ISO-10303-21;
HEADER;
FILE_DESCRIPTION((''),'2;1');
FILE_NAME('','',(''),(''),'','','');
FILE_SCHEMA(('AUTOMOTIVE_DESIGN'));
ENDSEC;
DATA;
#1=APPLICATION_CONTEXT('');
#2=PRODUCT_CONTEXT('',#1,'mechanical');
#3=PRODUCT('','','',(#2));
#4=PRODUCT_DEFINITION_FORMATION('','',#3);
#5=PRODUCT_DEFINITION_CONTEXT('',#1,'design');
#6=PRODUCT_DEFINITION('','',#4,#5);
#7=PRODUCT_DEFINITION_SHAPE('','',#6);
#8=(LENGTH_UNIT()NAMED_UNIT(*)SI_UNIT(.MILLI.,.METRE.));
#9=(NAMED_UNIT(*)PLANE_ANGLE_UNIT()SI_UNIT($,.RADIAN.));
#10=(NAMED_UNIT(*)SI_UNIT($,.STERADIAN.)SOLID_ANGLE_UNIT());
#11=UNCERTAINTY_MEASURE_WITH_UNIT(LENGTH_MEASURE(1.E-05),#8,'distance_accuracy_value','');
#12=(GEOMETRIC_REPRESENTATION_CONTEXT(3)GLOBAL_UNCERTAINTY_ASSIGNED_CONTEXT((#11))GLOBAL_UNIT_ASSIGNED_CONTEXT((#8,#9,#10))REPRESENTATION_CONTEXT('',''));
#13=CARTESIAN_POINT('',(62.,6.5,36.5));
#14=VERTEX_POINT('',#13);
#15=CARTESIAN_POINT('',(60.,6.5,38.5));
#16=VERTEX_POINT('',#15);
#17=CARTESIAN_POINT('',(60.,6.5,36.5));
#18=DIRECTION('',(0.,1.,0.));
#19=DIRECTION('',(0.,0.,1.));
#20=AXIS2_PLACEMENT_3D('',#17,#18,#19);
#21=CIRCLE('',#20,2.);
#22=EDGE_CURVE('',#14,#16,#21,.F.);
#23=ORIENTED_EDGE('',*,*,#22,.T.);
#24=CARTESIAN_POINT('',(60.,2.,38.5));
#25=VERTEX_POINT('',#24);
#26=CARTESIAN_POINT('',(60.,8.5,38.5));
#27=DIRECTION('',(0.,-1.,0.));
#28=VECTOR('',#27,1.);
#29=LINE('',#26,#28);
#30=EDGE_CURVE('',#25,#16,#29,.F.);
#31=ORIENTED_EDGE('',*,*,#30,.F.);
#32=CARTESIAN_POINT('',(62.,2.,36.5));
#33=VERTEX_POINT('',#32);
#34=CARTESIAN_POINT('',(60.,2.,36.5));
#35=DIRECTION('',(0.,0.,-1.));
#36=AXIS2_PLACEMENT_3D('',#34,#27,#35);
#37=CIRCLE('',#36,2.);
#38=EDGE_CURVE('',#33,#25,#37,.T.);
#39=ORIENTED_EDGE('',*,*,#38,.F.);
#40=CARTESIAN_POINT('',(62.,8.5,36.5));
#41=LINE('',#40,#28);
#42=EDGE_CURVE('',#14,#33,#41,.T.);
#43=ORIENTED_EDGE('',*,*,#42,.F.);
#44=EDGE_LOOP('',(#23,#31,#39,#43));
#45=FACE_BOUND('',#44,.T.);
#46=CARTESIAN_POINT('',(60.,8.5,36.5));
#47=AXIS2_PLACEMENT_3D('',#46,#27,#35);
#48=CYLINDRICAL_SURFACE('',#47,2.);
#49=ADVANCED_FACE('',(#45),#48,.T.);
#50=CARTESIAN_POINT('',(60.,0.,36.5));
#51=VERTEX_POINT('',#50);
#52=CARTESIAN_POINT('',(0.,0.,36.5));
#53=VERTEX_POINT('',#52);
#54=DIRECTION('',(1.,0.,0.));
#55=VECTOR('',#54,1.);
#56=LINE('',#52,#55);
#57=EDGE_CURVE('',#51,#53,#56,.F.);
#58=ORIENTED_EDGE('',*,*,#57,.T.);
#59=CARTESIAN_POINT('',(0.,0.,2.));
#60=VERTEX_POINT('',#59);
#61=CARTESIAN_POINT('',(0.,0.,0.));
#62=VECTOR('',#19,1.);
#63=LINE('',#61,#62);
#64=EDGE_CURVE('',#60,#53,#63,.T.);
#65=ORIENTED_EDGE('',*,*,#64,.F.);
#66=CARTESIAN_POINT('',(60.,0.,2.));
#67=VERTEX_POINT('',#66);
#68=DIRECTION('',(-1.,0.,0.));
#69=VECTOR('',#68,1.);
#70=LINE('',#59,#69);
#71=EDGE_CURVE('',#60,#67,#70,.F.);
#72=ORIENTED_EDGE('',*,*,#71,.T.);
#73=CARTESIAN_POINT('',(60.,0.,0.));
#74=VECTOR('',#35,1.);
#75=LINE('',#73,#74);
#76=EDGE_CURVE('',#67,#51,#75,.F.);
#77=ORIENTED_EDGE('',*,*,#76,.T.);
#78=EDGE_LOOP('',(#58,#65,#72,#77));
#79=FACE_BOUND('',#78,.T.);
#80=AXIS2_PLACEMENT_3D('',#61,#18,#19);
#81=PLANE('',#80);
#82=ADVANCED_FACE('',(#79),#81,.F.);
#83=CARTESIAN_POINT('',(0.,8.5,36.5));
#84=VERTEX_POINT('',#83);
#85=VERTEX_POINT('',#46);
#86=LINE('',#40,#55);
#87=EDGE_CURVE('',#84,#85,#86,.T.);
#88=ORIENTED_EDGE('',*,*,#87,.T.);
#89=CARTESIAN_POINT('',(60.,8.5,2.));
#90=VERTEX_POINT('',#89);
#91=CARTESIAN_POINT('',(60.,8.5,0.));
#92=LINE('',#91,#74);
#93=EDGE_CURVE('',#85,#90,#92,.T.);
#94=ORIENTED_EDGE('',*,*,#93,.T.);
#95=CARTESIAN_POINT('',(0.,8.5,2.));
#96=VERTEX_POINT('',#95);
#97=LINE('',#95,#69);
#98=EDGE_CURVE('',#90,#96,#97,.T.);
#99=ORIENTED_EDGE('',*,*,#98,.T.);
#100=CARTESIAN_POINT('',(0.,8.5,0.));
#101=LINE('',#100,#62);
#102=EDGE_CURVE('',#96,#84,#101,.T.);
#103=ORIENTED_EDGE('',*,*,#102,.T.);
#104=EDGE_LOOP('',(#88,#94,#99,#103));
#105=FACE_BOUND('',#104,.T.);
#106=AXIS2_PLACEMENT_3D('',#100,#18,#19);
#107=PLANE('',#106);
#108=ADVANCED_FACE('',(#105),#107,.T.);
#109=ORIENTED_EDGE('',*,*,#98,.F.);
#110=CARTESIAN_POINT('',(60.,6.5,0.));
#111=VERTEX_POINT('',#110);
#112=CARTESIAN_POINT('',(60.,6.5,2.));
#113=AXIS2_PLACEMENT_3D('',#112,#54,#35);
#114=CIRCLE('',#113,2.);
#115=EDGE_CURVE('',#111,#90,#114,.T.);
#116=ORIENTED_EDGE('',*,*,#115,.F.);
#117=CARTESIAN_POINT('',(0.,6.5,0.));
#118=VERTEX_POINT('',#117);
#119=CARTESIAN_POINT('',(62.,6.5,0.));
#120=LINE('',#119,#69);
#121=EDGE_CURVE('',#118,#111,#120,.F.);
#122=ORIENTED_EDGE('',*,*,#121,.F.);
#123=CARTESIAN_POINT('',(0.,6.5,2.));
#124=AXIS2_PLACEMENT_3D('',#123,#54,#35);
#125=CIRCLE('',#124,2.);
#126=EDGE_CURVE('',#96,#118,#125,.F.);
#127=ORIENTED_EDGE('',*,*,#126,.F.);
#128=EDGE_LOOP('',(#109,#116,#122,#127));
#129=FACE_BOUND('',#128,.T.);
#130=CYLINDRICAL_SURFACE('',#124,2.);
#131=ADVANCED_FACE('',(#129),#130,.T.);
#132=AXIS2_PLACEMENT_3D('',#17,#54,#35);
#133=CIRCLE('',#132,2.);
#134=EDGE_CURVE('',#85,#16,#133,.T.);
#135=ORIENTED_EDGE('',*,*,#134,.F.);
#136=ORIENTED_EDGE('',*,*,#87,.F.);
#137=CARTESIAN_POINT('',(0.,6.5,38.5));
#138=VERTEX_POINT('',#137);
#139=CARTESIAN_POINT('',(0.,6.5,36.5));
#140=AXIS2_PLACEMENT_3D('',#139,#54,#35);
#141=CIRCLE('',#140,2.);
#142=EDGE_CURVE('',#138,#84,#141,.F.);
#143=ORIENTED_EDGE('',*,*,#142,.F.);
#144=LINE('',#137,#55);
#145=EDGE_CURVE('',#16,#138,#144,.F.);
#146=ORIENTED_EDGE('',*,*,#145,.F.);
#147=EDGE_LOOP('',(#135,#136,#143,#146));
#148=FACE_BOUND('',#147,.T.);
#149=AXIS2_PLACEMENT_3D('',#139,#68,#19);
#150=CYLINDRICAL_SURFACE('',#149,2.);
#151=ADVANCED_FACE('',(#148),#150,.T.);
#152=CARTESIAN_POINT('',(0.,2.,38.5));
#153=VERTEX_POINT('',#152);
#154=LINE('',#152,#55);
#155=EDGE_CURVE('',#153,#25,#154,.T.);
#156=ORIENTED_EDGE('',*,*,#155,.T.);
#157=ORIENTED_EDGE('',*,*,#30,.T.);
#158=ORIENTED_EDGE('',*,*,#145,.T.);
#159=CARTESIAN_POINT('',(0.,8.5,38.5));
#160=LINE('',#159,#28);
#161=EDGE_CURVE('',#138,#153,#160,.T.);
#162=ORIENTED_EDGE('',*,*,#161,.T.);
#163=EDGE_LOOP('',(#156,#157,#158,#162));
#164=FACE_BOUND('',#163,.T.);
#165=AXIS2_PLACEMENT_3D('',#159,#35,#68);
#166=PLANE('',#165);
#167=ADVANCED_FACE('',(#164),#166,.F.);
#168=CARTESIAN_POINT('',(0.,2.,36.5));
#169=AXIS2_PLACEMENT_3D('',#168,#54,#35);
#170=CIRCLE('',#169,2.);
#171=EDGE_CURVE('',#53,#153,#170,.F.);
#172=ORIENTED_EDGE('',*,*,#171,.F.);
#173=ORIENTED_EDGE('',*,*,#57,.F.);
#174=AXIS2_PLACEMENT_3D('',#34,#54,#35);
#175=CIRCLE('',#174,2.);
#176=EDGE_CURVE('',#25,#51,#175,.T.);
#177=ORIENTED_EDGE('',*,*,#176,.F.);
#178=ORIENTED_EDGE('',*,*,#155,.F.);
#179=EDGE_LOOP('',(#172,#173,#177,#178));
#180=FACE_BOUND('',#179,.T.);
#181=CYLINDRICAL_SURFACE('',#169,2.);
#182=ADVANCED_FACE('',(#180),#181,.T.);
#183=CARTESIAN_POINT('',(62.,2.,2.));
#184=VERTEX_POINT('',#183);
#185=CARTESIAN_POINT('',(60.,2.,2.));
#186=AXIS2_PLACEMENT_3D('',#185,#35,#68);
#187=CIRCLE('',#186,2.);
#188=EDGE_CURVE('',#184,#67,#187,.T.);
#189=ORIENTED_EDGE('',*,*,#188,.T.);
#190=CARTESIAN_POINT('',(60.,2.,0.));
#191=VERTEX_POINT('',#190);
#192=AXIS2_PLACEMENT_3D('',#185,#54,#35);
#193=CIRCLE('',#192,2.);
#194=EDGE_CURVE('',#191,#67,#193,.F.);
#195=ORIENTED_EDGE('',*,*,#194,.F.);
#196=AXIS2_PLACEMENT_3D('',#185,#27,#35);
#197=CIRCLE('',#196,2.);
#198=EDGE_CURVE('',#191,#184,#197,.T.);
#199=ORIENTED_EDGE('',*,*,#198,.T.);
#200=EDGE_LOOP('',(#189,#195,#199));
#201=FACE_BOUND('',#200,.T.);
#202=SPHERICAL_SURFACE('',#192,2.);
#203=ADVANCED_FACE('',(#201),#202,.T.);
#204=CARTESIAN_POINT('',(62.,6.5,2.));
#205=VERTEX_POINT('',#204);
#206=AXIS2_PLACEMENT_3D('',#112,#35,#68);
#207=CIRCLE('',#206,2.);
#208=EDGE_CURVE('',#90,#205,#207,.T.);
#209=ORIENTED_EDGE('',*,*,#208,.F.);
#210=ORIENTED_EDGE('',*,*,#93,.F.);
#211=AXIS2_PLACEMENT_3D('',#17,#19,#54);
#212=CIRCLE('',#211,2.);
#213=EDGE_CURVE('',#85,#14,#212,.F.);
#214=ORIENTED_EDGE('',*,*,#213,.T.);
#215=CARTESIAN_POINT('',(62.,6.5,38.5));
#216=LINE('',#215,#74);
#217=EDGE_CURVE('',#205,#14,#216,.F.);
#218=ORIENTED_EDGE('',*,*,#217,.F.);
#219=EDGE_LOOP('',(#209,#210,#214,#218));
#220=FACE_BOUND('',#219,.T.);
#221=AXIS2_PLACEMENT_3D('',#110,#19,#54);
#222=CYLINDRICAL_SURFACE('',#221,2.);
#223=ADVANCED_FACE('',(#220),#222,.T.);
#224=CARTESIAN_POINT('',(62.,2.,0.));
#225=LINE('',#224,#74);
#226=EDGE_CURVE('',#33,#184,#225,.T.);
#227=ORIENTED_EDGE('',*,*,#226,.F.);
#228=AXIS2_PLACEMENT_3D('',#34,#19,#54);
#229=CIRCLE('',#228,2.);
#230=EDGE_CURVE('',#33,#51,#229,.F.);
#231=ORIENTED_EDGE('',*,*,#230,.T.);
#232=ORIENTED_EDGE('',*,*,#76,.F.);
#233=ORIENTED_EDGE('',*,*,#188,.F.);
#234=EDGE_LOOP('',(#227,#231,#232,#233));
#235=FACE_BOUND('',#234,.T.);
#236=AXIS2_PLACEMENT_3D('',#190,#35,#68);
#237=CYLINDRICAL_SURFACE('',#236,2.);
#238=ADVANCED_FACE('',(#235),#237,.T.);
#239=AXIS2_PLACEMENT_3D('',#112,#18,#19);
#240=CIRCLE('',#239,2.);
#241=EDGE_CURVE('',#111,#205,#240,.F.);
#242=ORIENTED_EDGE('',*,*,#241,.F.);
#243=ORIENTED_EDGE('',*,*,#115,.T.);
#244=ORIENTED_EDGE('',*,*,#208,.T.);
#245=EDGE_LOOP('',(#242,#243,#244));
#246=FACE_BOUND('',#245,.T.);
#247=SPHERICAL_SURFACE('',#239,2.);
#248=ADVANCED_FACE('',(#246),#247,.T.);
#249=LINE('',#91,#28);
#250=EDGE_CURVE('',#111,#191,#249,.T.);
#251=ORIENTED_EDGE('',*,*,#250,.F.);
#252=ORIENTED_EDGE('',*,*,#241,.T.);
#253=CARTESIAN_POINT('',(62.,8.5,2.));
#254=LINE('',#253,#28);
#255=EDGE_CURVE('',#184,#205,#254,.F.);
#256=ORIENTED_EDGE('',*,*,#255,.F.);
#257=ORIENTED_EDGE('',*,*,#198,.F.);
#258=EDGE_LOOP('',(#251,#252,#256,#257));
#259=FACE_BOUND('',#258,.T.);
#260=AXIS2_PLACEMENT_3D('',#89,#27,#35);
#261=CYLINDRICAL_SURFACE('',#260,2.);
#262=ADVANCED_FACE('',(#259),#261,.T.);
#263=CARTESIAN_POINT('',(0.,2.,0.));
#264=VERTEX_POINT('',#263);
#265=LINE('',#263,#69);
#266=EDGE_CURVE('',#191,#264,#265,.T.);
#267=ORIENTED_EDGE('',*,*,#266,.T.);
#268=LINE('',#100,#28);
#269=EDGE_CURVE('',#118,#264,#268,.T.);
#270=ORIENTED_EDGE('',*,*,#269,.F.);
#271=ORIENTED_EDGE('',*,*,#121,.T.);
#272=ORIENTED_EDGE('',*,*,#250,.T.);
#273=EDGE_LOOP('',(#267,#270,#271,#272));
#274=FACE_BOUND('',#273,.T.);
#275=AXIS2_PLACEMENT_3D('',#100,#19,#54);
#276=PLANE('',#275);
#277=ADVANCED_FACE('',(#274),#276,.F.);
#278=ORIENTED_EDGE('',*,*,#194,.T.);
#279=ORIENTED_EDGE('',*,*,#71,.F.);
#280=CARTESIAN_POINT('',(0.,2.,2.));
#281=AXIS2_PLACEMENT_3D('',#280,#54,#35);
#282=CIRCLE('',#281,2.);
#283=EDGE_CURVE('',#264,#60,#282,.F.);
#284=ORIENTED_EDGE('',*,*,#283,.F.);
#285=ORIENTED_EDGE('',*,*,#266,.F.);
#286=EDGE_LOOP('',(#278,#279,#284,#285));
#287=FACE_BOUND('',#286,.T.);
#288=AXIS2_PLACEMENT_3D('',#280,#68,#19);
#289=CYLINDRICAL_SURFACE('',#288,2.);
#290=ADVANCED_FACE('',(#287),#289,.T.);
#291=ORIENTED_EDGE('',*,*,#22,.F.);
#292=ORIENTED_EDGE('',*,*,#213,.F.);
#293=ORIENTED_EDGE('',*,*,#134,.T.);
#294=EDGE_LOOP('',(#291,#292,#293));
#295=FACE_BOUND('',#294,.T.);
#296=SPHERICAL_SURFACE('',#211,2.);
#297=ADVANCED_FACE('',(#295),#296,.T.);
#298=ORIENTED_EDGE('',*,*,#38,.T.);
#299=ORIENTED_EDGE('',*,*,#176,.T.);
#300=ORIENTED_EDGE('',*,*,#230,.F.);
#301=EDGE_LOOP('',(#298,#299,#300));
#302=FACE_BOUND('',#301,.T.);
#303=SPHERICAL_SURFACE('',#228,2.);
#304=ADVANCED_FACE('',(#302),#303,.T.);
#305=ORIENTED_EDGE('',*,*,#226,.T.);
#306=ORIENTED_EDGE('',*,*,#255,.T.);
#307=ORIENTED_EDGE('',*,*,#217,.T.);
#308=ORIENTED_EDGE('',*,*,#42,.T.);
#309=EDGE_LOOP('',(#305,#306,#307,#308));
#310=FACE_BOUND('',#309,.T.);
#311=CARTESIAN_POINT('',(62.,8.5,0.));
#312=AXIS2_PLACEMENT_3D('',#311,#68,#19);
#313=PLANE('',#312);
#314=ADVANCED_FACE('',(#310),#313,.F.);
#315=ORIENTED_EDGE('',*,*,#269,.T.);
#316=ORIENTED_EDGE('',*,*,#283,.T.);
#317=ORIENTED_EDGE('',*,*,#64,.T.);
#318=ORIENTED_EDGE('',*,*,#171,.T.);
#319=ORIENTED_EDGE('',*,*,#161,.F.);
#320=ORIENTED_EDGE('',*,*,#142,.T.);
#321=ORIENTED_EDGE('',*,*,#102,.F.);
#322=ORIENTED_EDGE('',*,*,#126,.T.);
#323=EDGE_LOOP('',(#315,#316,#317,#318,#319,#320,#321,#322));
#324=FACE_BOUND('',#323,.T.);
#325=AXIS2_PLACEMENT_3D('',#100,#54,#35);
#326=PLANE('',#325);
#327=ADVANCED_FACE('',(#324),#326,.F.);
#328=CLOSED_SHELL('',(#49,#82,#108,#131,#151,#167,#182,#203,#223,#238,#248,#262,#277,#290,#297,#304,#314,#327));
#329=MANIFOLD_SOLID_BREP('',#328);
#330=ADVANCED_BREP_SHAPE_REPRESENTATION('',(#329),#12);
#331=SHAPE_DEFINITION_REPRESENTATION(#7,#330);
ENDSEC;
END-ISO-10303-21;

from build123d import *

# Parameters (mm, degrees)
SKETCH1_W           = 62
SKETCH1_H           = 38.5
BOSS_EXTRUDE1_DEPTH = 8.5
FILLET1_R           = 2


with BuildPart() as part:
    # Sketch1 → Boss-Extrude1 (new body)
    with BuildSketch(Plane(origin=(0, 0, 0), x_dir=(1, 0, 0), z_dir=(0, 1, 0))):
        with Locations((31, -19.25)):
            Rectangle(SKETCH1_W, SKETCH1_H)
    extrude(amount=BOSS_EXTRUDE1_DEPTH)

    # Fillet1
    fillet1_edges = [part.edges().sort_by_distance(p)[0] for p in [
        (62, 8.5, 19.25),
        (31, 8.5, 0),
        (31, 0, 0),
        (62, 0, 19.25),
        (31, 0, 38.5),
        (62, 4.25, 0),
        (62, 4.25, 38.5),
        (31, 8.5, 38.5),
    ]]
    fillet(fillet1_edges, radius=FILLET1_R)


solid = part.part
